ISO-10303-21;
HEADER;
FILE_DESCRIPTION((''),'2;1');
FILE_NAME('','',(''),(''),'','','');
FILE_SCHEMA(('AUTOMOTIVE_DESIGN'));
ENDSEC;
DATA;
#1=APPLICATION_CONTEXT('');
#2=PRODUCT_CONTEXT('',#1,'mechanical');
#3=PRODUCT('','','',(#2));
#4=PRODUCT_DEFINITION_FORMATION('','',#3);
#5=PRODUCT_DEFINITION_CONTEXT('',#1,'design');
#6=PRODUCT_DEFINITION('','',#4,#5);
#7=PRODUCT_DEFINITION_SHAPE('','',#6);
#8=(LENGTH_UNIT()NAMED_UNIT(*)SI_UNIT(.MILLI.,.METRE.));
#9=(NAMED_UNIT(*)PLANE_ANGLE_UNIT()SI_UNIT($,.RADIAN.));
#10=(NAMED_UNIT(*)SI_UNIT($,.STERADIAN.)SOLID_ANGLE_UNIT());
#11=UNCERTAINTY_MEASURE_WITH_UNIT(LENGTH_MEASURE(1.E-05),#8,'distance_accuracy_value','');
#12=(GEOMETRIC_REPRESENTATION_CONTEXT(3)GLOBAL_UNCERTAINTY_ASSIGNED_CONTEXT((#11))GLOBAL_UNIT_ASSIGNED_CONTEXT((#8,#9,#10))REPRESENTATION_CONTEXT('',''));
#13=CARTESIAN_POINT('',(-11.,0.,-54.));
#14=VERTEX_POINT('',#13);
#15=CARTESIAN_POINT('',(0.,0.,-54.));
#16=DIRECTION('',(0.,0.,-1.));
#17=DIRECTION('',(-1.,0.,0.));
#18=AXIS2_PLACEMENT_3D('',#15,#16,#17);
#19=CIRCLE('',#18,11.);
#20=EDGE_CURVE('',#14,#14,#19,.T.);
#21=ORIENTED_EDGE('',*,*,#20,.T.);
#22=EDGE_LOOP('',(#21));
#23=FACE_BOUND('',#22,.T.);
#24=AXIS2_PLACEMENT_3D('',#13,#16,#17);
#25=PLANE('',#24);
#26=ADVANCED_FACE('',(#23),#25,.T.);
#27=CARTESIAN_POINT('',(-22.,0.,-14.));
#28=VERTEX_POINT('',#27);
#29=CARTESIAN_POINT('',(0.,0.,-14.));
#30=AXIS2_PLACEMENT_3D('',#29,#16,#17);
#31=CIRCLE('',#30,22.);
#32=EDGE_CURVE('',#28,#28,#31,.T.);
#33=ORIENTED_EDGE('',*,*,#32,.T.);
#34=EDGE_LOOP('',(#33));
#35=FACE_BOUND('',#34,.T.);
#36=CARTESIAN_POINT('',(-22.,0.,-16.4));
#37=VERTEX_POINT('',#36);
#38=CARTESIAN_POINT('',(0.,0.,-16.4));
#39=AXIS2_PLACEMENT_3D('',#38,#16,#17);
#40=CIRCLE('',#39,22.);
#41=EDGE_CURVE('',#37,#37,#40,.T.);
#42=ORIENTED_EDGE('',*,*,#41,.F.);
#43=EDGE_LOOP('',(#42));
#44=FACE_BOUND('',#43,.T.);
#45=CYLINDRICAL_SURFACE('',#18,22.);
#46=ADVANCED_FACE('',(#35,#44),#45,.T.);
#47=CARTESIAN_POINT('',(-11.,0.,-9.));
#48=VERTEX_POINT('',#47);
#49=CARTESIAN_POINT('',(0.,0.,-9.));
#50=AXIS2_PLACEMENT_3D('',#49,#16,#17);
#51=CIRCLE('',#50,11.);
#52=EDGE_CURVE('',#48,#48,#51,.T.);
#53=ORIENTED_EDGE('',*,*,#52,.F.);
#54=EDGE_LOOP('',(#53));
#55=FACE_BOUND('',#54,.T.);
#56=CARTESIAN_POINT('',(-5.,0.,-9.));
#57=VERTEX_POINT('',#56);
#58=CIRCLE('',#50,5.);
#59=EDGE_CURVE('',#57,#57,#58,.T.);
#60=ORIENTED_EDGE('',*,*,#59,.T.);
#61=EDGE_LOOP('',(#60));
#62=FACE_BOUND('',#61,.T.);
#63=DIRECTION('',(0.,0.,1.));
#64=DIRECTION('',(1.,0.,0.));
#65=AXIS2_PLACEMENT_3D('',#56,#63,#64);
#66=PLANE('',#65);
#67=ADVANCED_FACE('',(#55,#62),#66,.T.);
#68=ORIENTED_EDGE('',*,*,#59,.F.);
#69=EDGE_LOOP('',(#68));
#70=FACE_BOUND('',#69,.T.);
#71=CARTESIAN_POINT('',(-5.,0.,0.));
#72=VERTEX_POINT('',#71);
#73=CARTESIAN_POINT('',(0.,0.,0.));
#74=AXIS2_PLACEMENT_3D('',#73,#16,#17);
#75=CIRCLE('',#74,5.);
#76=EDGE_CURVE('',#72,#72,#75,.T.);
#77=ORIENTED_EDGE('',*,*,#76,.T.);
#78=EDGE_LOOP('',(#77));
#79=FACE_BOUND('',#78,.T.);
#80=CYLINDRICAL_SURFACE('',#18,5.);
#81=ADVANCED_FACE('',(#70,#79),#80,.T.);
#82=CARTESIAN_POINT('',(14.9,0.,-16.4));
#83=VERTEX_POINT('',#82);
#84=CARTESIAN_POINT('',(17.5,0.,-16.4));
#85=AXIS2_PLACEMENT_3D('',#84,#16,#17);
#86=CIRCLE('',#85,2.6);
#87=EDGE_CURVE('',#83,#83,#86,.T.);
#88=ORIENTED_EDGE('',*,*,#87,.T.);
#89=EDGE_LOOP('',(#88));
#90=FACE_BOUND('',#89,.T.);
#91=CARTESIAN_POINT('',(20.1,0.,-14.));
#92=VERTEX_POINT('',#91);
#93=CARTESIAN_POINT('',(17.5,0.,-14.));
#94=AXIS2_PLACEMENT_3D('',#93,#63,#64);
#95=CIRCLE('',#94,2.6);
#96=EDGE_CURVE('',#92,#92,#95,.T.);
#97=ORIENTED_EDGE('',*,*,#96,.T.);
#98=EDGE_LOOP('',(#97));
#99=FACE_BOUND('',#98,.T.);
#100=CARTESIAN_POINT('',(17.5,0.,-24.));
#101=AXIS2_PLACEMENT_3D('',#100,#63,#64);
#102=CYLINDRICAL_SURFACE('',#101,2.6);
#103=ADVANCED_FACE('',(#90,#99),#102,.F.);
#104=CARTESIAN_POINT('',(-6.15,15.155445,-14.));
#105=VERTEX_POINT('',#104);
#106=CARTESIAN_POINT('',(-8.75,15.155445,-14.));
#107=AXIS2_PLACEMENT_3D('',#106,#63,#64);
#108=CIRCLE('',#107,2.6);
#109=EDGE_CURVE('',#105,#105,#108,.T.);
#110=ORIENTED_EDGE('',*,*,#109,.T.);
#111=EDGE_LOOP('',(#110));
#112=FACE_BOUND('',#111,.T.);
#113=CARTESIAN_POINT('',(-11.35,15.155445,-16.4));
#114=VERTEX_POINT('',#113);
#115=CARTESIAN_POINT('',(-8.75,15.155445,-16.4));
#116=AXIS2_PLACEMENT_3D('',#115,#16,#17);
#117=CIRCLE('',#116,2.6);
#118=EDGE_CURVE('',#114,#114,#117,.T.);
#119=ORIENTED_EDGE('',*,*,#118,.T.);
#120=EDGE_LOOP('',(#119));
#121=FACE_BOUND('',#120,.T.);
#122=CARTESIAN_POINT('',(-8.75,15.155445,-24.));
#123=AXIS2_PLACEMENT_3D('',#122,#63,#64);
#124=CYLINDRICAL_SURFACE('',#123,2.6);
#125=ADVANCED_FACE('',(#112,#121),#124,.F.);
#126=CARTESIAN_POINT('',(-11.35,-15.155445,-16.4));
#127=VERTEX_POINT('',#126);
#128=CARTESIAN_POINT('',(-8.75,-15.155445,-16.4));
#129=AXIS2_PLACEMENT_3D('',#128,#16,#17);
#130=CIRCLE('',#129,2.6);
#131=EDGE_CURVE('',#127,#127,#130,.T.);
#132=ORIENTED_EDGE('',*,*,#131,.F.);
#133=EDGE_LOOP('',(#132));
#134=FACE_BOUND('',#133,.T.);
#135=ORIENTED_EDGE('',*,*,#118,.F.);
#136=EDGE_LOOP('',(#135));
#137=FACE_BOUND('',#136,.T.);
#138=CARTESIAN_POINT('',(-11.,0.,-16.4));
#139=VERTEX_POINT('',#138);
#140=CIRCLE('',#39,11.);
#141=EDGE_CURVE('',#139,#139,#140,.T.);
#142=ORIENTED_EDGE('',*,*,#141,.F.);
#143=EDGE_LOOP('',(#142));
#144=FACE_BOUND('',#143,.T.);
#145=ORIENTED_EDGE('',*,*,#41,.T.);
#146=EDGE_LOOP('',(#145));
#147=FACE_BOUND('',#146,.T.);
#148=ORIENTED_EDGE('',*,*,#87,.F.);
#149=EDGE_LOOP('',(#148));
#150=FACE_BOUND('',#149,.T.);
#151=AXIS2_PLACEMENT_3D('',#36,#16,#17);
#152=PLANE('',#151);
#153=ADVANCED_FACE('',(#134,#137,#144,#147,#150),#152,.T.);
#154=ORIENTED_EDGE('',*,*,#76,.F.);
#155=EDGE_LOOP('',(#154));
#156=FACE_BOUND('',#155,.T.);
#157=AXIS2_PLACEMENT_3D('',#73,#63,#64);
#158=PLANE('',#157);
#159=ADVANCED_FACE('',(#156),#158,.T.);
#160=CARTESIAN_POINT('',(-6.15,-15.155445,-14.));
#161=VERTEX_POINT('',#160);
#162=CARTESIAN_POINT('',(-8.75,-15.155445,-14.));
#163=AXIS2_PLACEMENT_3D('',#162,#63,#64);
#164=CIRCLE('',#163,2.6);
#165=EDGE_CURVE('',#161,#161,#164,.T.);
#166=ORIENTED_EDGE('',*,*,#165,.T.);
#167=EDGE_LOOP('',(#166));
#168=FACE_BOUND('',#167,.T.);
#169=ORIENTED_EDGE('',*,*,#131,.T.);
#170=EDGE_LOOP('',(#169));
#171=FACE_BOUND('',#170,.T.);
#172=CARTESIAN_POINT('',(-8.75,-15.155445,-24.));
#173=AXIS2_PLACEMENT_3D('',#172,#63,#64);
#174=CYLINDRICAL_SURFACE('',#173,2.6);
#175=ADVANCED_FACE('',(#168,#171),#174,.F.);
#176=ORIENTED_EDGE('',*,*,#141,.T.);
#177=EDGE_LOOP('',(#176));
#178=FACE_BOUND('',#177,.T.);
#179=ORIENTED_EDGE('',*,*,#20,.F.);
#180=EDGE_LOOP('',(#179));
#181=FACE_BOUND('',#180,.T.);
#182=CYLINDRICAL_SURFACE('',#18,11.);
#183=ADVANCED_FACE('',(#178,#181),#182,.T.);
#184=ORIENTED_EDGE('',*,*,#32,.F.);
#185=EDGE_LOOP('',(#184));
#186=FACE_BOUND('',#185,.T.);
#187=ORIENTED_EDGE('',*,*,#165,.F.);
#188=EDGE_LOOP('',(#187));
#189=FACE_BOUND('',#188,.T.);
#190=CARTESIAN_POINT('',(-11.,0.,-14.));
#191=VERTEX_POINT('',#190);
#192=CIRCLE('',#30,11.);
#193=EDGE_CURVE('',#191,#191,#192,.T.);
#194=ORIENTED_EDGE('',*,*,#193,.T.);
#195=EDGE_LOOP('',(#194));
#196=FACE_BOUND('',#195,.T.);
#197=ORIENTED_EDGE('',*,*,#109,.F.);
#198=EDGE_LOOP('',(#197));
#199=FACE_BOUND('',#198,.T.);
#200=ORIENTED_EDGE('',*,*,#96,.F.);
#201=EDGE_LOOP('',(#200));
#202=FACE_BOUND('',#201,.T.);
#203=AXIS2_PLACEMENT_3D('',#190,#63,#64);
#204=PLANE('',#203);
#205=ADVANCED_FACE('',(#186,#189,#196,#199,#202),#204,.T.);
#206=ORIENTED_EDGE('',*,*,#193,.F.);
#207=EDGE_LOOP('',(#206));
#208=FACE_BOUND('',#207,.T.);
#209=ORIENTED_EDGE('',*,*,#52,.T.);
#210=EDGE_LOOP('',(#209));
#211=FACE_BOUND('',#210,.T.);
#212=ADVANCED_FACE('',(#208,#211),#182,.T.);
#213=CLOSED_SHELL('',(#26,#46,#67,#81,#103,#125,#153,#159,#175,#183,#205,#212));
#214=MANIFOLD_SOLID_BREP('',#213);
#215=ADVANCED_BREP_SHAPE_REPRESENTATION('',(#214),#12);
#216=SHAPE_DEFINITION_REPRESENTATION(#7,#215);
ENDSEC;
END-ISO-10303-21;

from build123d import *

# Parameters (mm, degrees)
SKETCH_2_R          = 2.6
CUT_EXTRUDE_1_DEPTH = 10


with BuildPart() as part:
    # 草图1 → 旋转1 (revolve)
    with BuildSketch(Plane(origin=(0, 0, 0), x_dir=(1, 0, 0), z_dir=(0, 1, 0))):
        Polygon((0, 0), (-5, 0), (-5, 9), (-11, 9), (-11, 14), (-22, 14), (-22, 16.4), (-11, 16.4), (-11, 54), (0, 54), align=None)
    revolve(axis=Axis((0, 0, -54), (0, 0, 1)))

    # 草图2 → 切除-拉伸1 (cut)
    with BuildSketch(Plane.XY.offset(-14)):
        with Locations((17.5, 0)):
            Circle(SKETCH_2_R)
        with Locations((-8.75, -15.155444566)):
            Circle(SKETCH_2_R)
        with Locations((-8.75, 15.155444566)):
            Circle(SKETCH_2_R)
    extrude(amount=-CUT_EXTRUDE_1_DEPTH, mode=Mode.SUBTRACT)


solid = part.part
